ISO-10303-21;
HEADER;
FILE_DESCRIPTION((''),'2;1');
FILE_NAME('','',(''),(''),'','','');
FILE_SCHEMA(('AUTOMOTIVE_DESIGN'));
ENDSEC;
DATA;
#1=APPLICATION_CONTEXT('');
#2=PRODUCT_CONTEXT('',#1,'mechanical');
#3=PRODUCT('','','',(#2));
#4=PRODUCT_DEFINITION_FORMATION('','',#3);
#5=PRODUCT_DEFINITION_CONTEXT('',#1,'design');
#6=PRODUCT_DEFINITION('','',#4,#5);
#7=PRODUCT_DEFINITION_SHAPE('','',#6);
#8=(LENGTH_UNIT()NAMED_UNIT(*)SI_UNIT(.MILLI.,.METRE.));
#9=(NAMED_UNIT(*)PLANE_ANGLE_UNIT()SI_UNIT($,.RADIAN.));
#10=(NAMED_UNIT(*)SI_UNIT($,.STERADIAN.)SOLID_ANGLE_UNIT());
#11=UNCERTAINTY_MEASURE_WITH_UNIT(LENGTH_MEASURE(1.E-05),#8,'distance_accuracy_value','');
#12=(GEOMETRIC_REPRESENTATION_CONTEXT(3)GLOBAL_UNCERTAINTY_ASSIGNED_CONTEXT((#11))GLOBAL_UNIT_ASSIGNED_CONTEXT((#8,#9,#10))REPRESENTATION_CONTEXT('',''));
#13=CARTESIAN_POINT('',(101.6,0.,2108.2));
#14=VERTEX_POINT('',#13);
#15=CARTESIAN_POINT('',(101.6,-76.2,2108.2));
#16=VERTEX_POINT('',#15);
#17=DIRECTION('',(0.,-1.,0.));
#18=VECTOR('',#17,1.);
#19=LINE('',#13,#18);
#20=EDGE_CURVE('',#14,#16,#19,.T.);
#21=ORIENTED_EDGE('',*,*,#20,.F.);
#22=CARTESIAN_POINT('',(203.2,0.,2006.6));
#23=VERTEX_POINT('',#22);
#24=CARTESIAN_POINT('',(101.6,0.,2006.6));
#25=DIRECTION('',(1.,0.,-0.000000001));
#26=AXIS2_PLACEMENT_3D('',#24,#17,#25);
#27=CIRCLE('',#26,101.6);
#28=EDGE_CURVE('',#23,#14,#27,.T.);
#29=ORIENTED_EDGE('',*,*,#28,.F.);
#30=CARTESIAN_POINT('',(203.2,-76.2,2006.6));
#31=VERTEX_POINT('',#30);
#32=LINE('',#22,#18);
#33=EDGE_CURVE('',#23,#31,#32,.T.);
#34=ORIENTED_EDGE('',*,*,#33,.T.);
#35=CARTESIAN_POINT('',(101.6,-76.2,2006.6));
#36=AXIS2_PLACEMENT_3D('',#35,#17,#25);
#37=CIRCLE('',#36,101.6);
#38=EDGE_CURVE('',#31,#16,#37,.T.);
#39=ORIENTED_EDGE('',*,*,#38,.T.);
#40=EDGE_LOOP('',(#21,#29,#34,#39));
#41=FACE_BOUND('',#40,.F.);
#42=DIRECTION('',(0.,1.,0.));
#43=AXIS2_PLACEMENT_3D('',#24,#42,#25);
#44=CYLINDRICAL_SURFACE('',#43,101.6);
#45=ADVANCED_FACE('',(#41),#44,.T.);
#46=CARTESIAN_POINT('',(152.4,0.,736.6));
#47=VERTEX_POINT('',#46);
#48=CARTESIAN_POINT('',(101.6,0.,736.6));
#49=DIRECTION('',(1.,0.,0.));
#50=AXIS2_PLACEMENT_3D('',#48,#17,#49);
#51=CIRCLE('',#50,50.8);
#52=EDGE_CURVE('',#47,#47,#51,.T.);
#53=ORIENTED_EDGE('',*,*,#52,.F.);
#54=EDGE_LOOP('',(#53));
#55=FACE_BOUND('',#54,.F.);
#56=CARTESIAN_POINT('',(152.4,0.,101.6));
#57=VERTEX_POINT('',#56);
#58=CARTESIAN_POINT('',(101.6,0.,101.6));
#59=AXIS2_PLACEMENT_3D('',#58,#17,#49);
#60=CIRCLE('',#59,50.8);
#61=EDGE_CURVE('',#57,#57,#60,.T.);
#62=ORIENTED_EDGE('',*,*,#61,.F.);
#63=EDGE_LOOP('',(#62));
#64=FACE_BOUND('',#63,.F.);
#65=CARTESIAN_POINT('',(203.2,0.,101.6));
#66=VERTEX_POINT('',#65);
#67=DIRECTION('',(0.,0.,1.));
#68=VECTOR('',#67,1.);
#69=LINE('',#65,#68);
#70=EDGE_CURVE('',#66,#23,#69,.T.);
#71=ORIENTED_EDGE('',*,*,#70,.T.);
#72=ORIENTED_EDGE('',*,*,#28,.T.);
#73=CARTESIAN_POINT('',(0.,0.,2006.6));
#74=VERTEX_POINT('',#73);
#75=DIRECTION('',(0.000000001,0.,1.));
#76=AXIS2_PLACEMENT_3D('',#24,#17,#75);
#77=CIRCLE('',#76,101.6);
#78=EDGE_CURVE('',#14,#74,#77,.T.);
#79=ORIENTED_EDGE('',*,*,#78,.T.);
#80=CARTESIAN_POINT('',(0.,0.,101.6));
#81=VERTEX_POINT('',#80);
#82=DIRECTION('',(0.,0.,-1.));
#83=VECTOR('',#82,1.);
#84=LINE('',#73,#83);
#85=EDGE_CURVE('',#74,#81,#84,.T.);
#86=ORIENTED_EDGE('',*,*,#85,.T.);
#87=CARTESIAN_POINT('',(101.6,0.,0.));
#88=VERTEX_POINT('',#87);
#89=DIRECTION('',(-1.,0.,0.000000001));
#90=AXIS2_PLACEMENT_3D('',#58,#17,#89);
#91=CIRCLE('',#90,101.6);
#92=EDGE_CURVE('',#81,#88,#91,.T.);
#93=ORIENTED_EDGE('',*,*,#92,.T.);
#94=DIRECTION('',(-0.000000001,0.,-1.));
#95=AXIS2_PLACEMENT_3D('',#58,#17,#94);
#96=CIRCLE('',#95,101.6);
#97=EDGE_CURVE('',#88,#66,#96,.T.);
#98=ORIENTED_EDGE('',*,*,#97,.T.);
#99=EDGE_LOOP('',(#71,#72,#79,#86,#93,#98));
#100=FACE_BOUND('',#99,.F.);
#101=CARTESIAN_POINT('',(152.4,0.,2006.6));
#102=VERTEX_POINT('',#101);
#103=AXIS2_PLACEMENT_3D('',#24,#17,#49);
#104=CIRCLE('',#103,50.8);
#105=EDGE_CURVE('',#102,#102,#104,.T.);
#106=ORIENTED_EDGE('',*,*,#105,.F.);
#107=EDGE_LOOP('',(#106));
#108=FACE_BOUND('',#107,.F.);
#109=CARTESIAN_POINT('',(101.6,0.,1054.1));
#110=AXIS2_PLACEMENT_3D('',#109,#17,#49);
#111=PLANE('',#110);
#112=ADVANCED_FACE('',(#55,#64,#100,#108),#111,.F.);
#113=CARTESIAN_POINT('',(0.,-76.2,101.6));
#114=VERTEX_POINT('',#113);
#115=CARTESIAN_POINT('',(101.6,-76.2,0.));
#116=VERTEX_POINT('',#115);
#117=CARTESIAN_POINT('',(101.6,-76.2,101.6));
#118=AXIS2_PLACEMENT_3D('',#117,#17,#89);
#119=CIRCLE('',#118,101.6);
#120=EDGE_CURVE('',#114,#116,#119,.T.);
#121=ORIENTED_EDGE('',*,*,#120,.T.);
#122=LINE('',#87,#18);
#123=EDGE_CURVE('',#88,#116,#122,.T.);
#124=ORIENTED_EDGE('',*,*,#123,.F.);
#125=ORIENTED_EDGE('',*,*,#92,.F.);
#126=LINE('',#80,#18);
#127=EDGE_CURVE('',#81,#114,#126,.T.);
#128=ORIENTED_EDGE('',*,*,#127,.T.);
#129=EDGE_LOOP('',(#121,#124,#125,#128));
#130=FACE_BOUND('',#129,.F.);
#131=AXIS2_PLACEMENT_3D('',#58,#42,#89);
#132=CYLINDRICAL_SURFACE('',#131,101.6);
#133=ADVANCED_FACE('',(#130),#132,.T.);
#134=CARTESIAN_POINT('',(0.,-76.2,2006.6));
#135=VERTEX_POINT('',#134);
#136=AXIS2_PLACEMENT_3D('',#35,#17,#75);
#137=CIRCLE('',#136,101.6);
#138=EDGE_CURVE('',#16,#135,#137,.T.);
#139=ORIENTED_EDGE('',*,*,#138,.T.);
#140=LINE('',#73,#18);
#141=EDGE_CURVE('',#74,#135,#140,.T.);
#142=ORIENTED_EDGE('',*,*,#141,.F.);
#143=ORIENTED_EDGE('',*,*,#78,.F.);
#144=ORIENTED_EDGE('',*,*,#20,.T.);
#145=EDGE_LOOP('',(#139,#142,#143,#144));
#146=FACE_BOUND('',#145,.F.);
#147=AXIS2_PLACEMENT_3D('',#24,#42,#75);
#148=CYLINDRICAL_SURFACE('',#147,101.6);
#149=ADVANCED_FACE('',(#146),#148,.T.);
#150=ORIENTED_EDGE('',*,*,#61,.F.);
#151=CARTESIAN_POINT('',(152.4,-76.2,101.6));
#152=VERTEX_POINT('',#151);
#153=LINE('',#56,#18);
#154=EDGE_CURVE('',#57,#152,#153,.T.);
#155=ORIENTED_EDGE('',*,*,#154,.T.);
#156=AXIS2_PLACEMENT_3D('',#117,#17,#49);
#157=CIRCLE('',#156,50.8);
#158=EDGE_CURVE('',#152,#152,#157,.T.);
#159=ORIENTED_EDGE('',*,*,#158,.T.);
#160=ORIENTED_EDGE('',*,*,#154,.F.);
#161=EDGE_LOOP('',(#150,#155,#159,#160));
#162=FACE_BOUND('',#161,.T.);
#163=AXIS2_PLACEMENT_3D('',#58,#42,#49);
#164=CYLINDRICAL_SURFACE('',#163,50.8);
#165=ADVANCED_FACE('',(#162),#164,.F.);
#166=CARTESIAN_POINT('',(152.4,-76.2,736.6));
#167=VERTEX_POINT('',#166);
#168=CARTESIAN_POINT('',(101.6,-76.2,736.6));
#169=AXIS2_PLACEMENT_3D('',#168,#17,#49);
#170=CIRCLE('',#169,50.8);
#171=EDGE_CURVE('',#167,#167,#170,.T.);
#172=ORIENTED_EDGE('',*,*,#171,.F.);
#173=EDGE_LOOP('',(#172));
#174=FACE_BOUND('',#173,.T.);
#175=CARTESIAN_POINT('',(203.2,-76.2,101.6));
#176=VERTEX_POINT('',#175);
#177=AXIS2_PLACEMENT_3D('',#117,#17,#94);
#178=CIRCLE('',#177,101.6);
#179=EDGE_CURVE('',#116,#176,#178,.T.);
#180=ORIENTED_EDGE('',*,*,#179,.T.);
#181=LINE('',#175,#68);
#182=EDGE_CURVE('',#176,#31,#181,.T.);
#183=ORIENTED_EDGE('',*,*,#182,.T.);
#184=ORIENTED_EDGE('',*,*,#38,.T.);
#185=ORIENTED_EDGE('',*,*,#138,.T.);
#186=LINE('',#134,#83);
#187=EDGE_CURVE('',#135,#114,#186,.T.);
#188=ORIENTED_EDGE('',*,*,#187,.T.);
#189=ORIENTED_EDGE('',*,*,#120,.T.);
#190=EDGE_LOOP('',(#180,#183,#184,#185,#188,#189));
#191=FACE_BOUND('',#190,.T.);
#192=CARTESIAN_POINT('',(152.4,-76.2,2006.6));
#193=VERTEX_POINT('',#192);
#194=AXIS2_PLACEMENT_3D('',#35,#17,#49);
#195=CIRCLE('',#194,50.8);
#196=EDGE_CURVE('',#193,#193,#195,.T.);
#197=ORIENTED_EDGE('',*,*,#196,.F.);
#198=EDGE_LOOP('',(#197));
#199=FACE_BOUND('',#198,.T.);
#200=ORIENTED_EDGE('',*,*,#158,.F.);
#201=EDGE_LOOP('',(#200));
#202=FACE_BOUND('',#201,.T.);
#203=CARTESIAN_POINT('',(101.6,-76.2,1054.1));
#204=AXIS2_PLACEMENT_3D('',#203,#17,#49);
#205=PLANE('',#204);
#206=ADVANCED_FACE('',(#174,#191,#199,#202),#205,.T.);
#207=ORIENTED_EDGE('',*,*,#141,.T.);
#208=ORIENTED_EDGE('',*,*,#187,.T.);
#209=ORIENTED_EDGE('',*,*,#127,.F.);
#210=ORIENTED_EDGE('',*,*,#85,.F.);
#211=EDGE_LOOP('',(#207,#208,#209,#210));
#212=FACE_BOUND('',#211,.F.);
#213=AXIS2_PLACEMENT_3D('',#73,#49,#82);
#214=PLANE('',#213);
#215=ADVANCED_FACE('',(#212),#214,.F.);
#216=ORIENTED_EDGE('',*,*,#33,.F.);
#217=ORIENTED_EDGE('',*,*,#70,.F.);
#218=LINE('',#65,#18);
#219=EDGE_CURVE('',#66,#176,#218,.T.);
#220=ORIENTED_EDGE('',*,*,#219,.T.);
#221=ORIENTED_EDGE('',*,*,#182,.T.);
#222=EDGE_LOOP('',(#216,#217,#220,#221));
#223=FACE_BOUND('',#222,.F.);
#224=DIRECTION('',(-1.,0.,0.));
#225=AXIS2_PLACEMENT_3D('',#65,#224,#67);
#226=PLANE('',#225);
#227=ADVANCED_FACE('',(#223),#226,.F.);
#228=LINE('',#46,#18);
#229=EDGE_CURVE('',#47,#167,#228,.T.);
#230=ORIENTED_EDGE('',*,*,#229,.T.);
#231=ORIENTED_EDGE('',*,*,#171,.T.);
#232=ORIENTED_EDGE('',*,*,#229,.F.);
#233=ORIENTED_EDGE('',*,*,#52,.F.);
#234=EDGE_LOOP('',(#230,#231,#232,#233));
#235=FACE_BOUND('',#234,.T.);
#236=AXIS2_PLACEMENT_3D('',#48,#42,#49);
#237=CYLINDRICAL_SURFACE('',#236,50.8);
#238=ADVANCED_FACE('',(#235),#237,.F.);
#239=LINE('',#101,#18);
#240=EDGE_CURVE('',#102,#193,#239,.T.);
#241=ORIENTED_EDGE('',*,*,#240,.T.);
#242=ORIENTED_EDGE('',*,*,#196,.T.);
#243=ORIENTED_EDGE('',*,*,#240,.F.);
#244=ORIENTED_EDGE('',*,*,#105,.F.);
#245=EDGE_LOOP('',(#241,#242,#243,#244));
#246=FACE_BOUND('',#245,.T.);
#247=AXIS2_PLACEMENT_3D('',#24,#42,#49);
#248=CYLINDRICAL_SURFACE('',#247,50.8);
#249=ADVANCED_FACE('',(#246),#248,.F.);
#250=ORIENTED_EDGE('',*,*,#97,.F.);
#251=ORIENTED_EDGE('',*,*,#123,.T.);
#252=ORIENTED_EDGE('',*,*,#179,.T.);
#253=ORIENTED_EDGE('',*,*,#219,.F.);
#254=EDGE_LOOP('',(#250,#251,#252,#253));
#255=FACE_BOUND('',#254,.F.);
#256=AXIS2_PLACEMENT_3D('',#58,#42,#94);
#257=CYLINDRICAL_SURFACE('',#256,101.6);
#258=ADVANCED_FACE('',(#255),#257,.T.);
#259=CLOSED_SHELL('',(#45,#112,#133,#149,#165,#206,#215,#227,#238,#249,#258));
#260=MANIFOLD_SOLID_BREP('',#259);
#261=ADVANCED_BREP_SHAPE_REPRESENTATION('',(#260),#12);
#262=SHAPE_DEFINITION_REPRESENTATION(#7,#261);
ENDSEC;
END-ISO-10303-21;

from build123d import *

# Parameters (mm, degrees)
F0_R     = 50.8
F1_DEPTH = 76.2


with BuildPart() as f1:
    # F0 (on Front) → F1 (new body)
    with BuildSketch(Plane.XZ):
        with BuildLine():
            Line((0, 2006.6), (0, 101.6))
            ThreePointArc((0, 101.6), (29.757951, 29.757951), (101.6, 0))
            ThreePointArc((101.6, 0), (173.442049, 29.757951), (203.2, 101.6))
            Line((203.2, 101.6), (203.2, 2006.6))
            ThreePointArc((203.2, 2006.6), (173.442049, 2078.442049), (101.6, 2108.2))
            ThreePointArc((101.6, 2108.2), (29.757951, 2078.442049), (0, 2006.6))
        make_face()
        with Locations((101.6, 101.6)):
            Circle(F0_R, mode=Mode.SUBTRACT)
        with Locations((101.6, 736.6)):
            Circle(F0_R, mode=Mode.SUBTRACT)
        with Locations((101.6, 2006.6)):
            Circle(F0_R, mode=Mode.SUBTRACT)
    extrude(amount=F1_DEPTH)


solid = f1.part
